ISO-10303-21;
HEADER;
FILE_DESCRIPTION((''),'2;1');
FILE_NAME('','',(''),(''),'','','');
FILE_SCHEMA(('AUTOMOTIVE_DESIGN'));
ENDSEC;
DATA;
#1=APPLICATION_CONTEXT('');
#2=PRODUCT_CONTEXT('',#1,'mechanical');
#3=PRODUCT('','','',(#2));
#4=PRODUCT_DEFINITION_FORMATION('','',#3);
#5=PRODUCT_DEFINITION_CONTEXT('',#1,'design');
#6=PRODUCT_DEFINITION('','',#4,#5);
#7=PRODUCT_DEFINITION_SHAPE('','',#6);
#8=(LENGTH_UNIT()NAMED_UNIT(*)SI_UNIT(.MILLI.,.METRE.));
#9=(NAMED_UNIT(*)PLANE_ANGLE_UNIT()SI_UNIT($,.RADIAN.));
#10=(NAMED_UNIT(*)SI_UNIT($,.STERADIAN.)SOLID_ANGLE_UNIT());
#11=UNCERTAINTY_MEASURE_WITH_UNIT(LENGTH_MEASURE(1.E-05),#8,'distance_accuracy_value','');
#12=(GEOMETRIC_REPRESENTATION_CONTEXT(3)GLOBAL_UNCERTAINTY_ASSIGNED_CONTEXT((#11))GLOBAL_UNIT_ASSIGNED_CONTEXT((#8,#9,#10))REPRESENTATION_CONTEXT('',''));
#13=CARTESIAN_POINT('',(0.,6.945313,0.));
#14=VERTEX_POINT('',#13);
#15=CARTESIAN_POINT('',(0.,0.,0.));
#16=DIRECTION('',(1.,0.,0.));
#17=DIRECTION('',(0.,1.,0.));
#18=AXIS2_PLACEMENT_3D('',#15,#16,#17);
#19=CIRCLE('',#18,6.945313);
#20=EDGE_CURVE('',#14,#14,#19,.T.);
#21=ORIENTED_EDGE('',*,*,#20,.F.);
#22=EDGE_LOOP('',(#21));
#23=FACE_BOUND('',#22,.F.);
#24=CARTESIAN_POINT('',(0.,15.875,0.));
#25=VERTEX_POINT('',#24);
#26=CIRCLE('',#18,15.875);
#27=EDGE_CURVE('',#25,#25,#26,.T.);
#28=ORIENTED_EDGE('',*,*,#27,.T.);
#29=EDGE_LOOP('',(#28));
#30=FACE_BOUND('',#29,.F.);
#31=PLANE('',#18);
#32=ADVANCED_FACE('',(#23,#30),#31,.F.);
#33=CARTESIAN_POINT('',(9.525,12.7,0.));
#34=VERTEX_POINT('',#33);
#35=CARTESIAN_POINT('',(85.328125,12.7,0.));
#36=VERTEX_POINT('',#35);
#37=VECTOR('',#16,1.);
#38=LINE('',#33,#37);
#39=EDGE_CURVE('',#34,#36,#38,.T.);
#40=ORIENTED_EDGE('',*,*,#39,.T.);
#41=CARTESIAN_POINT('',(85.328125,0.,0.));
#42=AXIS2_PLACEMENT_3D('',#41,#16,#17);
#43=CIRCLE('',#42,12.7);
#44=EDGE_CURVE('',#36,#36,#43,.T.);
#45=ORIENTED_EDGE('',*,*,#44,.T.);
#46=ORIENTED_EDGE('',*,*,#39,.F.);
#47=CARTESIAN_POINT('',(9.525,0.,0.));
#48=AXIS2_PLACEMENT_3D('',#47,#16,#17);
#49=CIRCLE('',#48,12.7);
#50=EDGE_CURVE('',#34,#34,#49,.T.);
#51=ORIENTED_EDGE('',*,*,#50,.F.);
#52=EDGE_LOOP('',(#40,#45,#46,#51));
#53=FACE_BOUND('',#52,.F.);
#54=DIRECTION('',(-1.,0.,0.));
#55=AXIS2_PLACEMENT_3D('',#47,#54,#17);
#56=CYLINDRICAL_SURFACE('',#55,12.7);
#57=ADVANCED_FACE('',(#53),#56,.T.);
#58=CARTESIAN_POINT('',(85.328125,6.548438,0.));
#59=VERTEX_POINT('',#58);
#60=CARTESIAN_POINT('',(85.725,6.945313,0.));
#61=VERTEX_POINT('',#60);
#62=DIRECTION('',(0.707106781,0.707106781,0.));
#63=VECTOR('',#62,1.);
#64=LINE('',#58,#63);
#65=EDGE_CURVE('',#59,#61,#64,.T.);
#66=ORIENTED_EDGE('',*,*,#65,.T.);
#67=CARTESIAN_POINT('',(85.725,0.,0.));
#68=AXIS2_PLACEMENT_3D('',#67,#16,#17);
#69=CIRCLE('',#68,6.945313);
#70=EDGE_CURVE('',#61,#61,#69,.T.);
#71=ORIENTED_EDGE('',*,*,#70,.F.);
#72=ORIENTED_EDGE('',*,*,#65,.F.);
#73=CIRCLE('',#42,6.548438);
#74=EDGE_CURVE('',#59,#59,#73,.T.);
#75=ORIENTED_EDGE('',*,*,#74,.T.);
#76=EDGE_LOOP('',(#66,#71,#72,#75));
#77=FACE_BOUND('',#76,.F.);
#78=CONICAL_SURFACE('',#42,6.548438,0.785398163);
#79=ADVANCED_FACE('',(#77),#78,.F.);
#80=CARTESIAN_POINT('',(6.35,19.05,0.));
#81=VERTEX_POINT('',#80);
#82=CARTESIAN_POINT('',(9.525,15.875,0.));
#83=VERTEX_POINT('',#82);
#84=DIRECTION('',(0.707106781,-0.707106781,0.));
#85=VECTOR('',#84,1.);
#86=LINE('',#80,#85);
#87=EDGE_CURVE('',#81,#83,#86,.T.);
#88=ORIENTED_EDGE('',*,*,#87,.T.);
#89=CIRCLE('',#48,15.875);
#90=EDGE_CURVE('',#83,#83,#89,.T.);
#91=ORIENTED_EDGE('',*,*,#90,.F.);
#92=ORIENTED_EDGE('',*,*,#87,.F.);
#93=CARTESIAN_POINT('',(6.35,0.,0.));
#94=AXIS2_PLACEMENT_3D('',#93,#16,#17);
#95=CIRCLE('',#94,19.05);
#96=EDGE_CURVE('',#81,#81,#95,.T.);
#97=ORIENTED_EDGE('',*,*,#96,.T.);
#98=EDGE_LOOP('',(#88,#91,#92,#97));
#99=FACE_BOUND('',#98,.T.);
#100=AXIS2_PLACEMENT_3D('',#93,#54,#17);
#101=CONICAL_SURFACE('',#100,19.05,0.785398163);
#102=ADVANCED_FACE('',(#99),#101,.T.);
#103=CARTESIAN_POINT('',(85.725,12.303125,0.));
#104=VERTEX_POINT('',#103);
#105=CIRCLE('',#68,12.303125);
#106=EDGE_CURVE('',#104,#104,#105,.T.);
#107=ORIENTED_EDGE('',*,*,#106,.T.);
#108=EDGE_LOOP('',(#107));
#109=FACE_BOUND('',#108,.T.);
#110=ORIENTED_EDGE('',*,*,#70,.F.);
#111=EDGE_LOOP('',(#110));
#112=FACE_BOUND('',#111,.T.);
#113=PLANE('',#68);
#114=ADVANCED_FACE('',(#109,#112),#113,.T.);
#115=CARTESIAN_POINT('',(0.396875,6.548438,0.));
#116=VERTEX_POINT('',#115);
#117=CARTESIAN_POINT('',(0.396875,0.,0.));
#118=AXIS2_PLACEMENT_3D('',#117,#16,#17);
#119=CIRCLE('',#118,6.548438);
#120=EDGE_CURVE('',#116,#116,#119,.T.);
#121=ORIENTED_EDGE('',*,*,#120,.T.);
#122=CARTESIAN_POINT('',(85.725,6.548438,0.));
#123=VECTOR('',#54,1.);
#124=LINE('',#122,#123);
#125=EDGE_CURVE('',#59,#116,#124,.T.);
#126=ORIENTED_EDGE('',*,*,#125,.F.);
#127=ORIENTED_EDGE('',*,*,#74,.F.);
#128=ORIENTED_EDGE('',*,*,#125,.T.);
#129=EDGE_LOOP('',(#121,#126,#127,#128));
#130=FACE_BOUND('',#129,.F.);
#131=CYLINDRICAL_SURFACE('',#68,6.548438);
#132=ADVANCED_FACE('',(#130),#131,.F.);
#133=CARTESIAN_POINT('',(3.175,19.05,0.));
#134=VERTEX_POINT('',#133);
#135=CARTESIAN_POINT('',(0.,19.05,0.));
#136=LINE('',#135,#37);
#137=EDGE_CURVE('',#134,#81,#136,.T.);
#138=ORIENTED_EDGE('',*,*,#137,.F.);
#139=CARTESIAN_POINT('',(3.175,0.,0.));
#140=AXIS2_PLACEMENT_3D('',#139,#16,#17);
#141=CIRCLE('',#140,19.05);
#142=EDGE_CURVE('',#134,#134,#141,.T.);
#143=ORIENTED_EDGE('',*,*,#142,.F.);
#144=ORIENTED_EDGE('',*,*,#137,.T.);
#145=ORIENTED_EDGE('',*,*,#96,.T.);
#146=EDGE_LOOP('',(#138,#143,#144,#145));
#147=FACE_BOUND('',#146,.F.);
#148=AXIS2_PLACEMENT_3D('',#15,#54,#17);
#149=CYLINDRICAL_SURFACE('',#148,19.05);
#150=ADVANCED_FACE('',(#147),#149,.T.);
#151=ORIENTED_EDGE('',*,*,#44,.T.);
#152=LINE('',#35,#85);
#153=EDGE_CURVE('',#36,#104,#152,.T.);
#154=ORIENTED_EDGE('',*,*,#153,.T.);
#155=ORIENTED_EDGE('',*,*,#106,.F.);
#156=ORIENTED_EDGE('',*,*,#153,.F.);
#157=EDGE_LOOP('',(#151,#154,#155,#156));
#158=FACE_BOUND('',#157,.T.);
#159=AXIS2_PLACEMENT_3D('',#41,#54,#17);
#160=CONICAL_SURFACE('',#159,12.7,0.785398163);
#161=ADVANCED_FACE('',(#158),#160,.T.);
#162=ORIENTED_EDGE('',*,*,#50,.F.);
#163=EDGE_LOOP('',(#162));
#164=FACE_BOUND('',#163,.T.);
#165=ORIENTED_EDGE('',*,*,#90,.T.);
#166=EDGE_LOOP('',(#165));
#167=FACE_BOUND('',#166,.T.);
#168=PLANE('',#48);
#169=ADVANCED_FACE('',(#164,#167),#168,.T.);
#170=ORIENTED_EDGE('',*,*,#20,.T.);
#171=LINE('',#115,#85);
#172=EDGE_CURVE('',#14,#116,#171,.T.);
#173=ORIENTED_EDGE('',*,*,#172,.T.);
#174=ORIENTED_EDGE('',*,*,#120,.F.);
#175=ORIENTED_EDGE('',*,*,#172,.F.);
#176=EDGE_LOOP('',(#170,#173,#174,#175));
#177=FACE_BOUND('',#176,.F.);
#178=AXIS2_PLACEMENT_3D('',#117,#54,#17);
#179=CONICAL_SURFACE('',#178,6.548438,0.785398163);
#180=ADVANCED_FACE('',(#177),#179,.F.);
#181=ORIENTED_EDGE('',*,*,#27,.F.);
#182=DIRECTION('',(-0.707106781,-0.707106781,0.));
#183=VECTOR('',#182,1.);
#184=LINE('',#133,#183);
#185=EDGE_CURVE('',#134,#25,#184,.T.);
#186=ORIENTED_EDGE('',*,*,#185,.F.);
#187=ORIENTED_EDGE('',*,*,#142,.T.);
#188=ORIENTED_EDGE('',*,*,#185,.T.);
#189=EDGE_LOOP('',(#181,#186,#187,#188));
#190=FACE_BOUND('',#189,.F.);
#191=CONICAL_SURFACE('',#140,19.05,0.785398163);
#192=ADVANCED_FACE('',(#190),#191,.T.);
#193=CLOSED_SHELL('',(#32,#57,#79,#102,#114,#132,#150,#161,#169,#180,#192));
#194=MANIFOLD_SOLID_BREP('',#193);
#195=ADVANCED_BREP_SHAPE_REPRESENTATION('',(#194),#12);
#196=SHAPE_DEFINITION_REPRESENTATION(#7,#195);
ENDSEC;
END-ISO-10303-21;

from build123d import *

# Parameters (mm, degrees)
F0_R     = 19.05
F1_DEPTH = 9.525
F2_SIZE  = 3.175
F3_R     = 12.7
F4_DEPTH = 76.2
F5_R     = 6.548438
F6_DEPTH = 85.726
F7_SIZE  = 0.396875


with BuildPart() as f1:
    # F0 (on Right) → F1 (new body)
    with BuildSketch(Plane.YZ):
        Circle(F0_R)
    extrude(amount=F1_DEPTH)

    # F2
    f2_edges = [f1.edges().sort_by_distance(p)[0] for p in [
        (9.525, -19.05, 0),
        (0, -19.05, 0),
    ]]
    chamfer(f2_edges, length=F2_SIZE)

    # F3 (on face) → F4 (join)
    with BuildSketch(Plane.YZ.offset(9.525)):
        Circle(F3_R)
    extrude(amount=F4_DEPTH)

    # F5 (on face) → F6 (cut, through all)
    with BuildSketch(Plane.YZ.offset(85.725)):
        Circle(F5_R)
    extrude(amount=-F6_DEPTH, mode=Mode.SUBTRACT)

    # F7
    f7_edges = [f1.edges().sort_by_distance(p)[0] for p in [
        (85.725, -12.7, 0),
        (85.725, -6.548438, 0),
        (0, -6.548438, 0),
    ]]
    chamfer(f7_edges, length=F7_SIZE)


solid = f1.part
